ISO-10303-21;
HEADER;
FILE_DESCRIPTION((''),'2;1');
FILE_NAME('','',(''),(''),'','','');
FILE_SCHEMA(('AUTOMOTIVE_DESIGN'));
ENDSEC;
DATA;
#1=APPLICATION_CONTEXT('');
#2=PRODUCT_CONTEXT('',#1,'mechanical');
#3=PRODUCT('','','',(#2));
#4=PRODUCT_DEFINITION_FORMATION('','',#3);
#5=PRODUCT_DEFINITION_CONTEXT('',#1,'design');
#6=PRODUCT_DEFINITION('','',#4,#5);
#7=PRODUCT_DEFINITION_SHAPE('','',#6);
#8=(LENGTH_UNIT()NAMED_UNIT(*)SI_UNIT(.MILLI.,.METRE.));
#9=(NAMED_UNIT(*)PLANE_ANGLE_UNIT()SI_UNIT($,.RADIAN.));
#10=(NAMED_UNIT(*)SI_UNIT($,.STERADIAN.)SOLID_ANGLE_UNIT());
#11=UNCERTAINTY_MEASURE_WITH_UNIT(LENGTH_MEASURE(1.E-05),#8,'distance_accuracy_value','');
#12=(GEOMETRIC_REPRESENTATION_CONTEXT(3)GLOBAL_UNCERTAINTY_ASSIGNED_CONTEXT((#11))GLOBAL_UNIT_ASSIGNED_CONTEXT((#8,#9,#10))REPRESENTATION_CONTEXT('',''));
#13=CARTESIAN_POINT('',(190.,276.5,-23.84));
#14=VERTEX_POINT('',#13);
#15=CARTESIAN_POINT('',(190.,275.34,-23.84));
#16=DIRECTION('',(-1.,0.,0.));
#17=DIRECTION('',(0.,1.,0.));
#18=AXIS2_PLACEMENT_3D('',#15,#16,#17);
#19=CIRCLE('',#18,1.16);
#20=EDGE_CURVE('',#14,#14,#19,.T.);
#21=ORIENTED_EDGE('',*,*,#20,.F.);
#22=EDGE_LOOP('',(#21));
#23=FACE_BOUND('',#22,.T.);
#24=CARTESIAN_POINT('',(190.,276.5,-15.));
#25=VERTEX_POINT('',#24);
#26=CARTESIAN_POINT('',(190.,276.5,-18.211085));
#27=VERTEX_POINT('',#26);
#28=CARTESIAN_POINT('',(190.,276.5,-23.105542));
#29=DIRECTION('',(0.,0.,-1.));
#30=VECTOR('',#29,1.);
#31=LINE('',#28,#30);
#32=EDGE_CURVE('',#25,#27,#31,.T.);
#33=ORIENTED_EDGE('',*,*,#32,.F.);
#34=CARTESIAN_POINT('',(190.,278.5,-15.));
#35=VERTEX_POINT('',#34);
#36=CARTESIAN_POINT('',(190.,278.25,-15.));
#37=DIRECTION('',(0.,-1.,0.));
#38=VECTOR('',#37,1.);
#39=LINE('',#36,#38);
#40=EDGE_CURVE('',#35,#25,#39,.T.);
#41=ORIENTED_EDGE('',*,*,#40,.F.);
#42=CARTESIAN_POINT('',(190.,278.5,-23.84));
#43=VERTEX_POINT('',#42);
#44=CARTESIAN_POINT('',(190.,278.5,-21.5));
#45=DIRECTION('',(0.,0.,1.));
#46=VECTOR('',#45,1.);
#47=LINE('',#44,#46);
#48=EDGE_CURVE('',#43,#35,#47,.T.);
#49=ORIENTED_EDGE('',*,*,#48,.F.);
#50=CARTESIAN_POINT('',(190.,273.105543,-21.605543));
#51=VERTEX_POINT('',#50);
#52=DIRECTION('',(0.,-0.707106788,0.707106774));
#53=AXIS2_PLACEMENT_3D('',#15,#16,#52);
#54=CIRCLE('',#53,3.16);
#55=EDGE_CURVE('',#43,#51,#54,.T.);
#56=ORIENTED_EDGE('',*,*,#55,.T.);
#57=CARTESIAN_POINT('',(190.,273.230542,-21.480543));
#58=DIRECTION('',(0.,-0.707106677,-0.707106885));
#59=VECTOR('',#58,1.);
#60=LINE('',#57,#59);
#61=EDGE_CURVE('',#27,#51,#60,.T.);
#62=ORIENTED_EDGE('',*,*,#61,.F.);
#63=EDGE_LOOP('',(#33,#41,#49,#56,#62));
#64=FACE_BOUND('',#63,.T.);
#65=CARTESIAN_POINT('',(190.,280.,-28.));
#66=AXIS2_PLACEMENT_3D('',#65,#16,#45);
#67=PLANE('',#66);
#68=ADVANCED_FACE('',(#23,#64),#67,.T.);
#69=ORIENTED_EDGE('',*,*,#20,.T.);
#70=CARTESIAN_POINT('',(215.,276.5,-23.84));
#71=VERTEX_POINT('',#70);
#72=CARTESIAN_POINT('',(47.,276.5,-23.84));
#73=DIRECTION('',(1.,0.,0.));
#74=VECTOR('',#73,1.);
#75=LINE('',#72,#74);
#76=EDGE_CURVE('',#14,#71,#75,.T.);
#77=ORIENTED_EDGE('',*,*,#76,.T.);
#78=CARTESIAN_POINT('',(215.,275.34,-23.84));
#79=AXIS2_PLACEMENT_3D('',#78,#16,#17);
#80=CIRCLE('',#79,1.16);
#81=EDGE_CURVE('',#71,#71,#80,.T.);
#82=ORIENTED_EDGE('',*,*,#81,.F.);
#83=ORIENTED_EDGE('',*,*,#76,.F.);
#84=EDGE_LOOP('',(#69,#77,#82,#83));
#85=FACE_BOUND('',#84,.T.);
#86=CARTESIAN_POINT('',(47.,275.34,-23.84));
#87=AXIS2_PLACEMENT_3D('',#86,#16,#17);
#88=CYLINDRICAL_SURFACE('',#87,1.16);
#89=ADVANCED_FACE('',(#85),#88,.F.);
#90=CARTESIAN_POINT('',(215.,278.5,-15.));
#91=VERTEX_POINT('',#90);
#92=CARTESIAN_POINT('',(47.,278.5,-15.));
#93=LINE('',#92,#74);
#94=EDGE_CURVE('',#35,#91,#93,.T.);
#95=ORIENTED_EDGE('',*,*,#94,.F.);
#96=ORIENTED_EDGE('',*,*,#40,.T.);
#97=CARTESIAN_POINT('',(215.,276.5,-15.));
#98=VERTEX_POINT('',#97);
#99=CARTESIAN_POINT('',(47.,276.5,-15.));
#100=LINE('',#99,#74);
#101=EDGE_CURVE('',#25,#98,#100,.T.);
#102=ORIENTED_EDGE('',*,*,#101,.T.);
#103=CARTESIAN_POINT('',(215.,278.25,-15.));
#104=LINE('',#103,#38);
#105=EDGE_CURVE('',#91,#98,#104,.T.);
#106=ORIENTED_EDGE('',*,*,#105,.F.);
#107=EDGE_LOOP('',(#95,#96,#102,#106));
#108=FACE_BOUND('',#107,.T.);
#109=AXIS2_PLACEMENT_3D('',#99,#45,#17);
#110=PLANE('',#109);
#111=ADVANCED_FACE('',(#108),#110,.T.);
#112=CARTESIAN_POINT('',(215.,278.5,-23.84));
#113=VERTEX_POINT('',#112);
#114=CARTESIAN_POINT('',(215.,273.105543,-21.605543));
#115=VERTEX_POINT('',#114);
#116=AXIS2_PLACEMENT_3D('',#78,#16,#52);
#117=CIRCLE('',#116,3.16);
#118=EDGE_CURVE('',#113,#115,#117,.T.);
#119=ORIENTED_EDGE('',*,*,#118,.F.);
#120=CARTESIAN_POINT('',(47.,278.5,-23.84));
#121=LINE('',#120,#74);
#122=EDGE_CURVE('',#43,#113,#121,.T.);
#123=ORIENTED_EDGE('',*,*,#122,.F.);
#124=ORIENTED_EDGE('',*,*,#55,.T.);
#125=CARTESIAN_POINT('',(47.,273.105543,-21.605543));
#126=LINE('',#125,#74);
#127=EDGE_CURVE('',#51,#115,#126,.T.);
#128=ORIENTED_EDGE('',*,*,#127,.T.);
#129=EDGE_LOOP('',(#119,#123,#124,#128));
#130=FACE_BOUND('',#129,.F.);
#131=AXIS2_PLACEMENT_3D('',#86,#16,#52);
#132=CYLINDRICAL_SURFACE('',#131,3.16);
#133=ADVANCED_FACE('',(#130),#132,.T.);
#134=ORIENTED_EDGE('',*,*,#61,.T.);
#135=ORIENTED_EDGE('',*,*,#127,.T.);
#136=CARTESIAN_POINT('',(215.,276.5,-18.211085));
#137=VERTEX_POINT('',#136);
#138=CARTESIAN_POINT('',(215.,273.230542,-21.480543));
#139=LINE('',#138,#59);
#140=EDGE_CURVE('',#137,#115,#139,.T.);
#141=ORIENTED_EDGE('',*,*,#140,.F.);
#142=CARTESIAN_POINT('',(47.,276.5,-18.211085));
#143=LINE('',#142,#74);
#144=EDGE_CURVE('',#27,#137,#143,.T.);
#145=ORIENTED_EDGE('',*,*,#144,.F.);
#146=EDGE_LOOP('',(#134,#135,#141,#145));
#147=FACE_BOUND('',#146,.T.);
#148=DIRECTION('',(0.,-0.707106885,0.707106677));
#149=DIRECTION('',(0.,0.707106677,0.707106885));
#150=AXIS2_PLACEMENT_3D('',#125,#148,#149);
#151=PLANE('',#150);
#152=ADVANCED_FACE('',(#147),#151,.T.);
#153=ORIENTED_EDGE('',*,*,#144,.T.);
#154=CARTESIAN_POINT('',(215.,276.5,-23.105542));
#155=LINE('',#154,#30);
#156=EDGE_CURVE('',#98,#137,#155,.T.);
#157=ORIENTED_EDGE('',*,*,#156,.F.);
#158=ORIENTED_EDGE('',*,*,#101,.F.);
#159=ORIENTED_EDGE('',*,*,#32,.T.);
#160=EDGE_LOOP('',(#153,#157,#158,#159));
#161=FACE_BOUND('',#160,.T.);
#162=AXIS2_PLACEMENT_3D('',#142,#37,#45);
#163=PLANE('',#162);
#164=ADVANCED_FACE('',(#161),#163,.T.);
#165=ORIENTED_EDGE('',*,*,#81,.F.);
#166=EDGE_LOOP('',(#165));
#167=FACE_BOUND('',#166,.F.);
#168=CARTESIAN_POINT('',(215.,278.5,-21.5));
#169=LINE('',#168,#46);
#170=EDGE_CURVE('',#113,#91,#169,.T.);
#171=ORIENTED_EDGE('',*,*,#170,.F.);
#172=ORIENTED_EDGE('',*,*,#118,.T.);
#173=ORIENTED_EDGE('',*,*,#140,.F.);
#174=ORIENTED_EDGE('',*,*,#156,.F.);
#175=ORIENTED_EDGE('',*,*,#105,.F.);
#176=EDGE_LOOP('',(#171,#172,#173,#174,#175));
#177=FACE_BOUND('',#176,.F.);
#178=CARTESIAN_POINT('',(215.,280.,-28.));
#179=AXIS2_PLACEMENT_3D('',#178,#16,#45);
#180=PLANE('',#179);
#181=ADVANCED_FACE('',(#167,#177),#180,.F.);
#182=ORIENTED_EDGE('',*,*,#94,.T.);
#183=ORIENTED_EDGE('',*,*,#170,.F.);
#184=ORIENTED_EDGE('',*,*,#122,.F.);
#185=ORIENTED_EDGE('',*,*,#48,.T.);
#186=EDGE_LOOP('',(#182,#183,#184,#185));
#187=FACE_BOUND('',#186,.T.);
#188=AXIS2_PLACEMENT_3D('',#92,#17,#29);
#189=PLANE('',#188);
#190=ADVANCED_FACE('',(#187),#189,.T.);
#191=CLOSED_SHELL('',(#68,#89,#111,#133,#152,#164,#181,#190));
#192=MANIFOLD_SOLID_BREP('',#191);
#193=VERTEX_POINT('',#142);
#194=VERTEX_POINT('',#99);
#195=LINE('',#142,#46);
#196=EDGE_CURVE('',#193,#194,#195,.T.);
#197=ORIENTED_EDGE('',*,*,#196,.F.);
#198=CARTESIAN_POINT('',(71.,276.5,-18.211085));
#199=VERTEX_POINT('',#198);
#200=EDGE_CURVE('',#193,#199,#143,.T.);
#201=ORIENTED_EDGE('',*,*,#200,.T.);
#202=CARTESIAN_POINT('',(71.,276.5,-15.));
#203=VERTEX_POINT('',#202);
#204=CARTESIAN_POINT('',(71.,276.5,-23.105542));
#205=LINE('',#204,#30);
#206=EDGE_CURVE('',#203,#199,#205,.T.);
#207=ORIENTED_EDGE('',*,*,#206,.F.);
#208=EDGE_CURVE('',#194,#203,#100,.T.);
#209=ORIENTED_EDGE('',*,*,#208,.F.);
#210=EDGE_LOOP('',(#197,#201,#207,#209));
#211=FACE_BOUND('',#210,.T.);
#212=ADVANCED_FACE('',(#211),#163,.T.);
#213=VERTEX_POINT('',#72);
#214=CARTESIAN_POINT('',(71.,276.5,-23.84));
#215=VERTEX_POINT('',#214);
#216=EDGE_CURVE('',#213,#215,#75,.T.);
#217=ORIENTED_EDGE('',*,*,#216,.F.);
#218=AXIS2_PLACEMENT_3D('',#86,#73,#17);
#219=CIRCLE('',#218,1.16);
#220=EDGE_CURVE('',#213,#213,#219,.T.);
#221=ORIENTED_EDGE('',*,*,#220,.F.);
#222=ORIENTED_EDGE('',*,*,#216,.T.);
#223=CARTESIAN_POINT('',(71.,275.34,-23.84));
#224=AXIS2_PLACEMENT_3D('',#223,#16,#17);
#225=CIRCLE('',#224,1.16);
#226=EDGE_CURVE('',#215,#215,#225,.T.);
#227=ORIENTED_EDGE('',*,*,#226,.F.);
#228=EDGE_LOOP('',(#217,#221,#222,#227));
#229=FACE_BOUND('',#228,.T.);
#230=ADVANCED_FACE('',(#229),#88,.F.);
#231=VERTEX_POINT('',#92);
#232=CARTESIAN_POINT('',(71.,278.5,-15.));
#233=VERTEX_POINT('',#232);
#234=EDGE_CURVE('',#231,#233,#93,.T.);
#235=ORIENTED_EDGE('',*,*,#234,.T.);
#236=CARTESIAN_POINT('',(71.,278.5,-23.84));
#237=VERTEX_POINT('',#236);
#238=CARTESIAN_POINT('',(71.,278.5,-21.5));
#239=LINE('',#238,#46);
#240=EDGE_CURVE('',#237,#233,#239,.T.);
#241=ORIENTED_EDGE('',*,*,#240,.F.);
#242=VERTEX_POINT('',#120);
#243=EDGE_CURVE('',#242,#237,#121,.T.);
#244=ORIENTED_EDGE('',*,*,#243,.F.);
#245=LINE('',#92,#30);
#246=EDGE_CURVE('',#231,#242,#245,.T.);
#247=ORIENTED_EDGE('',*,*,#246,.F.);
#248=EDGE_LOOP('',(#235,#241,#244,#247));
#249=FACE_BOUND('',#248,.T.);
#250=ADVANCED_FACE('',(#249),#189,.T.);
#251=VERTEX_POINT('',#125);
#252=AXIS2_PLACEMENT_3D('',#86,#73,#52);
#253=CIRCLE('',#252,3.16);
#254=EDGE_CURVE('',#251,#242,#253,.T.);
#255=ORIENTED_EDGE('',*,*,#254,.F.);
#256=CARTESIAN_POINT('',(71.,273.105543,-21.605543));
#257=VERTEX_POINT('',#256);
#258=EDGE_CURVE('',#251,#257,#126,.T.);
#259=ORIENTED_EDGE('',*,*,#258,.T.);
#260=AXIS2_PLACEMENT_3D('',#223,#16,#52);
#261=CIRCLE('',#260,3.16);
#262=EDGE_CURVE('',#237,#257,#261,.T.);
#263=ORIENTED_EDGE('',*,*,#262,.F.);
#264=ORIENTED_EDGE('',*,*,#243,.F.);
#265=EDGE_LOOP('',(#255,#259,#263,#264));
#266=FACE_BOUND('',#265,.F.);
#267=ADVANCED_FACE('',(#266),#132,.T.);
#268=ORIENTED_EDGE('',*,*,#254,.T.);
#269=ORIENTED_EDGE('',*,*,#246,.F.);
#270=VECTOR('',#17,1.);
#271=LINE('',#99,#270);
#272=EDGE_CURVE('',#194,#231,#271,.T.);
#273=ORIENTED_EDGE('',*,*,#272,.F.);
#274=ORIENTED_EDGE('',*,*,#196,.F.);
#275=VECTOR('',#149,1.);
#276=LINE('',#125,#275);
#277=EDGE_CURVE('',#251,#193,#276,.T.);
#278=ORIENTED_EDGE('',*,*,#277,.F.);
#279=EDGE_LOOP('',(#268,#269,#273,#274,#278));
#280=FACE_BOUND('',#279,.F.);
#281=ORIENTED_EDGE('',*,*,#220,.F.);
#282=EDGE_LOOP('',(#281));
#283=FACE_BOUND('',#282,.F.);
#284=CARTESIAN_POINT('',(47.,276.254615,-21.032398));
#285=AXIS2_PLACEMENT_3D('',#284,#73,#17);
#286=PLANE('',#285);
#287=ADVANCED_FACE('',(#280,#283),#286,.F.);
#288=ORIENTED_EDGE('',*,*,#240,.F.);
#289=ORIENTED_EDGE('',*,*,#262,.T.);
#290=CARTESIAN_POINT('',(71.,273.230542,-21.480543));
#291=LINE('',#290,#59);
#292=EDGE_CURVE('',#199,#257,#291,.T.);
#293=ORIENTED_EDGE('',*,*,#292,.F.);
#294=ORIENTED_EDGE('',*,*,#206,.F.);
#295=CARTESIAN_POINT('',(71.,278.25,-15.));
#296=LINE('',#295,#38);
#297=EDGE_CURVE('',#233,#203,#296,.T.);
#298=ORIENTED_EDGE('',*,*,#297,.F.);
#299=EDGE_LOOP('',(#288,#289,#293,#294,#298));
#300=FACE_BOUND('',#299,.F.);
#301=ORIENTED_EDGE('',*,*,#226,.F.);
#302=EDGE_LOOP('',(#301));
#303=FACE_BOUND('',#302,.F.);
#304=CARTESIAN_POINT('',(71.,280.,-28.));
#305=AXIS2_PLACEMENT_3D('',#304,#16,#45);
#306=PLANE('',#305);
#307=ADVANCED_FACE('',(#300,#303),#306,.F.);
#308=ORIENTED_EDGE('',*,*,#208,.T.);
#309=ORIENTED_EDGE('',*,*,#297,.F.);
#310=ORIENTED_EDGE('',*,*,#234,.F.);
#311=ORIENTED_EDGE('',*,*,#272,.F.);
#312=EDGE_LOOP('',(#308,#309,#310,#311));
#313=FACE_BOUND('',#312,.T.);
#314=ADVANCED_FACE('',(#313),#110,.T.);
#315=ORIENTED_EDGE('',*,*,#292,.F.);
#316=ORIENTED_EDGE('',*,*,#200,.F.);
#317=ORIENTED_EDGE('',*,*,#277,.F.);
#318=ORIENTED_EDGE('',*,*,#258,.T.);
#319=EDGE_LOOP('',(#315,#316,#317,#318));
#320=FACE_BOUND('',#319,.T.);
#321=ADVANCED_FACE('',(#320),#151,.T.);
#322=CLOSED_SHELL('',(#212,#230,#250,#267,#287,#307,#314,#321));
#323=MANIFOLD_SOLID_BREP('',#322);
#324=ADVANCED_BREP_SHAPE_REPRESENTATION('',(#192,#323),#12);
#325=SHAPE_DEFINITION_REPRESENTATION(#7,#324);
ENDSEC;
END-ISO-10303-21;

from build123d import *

# Parameters (mm, degrees)
SKETCH077_W      = 25
SKETCH077_H      = 15
EXTRUDE069_DEPTH = 10
SKETCH076_R      = 1.16
EXTRUDE068_DEPTH = 175


with BuildPart() as extrude069:
    # Sketch077 → Extrude069 (new body)
    with BuildSketch(Plane(origin=(0, 280, 0), x_dir=(-1, 0, 0), z_dir=(0, 1, 0))):
        with Locations((-58.5, -20.5)):
            Rectangle(SKETCH077_W, SKETCH077_H)
        with Locations((-202.5, -20.5)):
            Rectangle(SKETCH077_W, SKETCH077_H)
    extrude(amount=-EXTRUDE069_DEPTH)


with BuildPart() as battery_hinge001:
    # Sketch076 → Extrude068 (new body)
    with BuildSketch(Plane.YZ.offset(47)):
        with BuildLine():
            ThreePointArc((273.105543, -21.605543), (274.13072, -26.759459), (278.5, -23.84))
            Line((278.5, -15), (278.5, -23.84))
            Line((276.5, -15), (278.5, -15))
            Line((276.5, -18.211085), (276.5, -15))
            Line((273.105543, -21.605543), (276.5, -18.211085))
        make_face()
        with Locations((275.34, -23.84)):
            Circle(SKETCH076_R, mode=Mode.SUBTRACT)
    extrude(amount=EXTRUDE068_DEPTH)

    # Common: intersect Extrude069
    add(extrude069.part, mode=Mode.INTERSECT)


solid = battery_hinge001.part
